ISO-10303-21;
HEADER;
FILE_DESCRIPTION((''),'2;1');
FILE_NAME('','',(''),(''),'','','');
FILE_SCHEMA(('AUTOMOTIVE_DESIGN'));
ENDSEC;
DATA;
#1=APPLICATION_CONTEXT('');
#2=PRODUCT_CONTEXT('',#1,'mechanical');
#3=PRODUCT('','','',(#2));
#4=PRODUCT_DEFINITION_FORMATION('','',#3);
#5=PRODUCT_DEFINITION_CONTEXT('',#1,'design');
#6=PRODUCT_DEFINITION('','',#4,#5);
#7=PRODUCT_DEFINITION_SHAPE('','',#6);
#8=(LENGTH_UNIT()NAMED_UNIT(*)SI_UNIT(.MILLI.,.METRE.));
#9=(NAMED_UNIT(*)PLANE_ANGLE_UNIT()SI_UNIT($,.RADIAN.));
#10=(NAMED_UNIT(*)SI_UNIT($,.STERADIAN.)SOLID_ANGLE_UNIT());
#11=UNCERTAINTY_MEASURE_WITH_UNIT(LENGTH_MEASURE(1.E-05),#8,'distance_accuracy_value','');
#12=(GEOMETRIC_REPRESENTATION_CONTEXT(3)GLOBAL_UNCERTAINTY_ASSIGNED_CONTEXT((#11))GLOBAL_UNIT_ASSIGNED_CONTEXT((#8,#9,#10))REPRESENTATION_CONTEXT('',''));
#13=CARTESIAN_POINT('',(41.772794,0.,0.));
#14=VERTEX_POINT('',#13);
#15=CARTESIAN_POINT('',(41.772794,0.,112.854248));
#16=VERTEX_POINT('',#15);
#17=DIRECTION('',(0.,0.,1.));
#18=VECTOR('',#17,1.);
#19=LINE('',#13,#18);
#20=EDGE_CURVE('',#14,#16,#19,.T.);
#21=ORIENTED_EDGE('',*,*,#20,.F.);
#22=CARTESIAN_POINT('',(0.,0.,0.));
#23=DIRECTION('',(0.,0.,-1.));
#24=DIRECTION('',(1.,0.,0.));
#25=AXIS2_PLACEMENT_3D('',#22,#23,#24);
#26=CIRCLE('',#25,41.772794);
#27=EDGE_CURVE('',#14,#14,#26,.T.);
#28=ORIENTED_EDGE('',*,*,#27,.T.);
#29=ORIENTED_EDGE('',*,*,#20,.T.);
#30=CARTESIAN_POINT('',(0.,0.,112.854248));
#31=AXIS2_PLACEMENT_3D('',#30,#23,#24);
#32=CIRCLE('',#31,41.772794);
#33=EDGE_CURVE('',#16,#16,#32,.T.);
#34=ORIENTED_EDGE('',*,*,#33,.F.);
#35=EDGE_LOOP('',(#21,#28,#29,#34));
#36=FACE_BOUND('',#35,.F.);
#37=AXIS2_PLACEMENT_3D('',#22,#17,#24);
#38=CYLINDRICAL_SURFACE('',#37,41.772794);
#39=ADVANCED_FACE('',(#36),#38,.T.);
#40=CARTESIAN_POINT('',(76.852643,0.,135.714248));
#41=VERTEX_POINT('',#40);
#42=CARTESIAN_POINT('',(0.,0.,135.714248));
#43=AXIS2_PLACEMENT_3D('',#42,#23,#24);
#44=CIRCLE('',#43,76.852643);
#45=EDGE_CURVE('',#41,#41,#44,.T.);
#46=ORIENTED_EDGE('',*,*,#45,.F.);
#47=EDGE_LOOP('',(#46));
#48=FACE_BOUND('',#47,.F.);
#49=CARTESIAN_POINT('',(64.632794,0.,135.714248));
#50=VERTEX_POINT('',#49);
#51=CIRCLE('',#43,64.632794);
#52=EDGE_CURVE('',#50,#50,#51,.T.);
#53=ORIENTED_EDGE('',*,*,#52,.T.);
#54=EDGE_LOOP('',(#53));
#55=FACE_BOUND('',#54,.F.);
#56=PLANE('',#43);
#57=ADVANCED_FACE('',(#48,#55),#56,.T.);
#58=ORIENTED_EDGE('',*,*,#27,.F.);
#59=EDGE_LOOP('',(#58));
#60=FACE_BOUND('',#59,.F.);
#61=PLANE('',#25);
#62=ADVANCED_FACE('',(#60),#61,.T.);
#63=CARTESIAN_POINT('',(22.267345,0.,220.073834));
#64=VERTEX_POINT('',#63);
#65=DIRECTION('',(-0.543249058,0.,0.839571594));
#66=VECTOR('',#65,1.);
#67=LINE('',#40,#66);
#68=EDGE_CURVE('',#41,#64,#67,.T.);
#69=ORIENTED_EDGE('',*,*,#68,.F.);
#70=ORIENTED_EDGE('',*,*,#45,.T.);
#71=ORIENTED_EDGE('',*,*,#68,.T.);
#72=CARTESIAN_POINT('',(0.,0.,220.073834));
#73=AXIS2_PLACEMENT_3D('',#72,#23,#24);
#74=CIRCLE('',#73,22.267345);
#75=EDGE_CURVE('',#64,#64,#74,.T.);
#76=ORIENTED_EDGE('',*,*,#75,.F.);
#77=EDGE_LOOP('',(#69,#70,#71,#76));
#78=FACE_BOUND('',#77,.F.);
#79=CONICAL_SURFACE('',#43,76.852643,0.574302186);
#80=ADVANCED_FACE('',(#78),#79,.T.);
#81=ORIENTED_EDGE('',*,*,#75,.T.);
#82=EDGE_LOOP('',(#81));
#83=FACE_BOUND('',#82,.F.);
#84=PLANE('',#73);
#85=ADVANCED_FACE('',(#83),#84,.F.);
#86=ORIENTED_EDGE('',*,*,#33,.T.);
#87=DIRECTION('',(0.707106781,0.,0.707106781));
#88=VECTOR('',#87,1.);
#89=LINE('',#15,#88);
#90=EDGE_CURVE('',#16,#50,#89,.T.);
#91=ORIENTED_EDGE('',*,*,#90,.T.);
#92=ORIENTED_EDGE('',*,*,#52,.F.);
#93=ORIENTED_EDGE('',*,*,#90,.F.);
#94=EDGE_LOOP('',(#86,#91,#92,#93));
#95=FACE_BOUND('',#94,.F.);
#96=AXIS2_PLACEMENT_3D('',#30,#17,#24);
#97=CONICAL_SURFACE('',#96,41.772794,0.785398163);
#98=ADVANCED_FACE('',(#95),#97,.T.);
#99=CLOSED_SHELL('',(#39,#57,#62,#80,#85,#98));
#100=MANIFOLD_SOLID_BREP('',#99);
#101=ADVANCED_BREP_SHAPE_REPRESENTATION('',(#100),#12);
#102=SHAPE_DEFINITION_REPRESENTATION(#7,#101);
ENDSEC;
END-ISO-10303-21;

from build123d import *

# Parameters (mm, degrees)
F2_SIZE = 22.86


with BuildPart() as f1:
    # F0 (on Front) → F1 (revolve)
    with BuildSketch(Plane.XZ):
        Polygon((0, 0), (41.772794, 0), (41.772794, 135.714248), (76.852643, 135.714248), (22.267345, 220.073834), (0, 220.073834), align=None)
    revolve(axis=Axis((0, 0, 110.036917), (0, 0, -1)))

    # F2
    f2_edges = [f1.edges().sort_by_distance(p)[0] for p in [
        (-41.772794, 0, 135.714248),
    ]]
    chamfer(f2_edges, length=F2_SIZE)


solid = f1.part
